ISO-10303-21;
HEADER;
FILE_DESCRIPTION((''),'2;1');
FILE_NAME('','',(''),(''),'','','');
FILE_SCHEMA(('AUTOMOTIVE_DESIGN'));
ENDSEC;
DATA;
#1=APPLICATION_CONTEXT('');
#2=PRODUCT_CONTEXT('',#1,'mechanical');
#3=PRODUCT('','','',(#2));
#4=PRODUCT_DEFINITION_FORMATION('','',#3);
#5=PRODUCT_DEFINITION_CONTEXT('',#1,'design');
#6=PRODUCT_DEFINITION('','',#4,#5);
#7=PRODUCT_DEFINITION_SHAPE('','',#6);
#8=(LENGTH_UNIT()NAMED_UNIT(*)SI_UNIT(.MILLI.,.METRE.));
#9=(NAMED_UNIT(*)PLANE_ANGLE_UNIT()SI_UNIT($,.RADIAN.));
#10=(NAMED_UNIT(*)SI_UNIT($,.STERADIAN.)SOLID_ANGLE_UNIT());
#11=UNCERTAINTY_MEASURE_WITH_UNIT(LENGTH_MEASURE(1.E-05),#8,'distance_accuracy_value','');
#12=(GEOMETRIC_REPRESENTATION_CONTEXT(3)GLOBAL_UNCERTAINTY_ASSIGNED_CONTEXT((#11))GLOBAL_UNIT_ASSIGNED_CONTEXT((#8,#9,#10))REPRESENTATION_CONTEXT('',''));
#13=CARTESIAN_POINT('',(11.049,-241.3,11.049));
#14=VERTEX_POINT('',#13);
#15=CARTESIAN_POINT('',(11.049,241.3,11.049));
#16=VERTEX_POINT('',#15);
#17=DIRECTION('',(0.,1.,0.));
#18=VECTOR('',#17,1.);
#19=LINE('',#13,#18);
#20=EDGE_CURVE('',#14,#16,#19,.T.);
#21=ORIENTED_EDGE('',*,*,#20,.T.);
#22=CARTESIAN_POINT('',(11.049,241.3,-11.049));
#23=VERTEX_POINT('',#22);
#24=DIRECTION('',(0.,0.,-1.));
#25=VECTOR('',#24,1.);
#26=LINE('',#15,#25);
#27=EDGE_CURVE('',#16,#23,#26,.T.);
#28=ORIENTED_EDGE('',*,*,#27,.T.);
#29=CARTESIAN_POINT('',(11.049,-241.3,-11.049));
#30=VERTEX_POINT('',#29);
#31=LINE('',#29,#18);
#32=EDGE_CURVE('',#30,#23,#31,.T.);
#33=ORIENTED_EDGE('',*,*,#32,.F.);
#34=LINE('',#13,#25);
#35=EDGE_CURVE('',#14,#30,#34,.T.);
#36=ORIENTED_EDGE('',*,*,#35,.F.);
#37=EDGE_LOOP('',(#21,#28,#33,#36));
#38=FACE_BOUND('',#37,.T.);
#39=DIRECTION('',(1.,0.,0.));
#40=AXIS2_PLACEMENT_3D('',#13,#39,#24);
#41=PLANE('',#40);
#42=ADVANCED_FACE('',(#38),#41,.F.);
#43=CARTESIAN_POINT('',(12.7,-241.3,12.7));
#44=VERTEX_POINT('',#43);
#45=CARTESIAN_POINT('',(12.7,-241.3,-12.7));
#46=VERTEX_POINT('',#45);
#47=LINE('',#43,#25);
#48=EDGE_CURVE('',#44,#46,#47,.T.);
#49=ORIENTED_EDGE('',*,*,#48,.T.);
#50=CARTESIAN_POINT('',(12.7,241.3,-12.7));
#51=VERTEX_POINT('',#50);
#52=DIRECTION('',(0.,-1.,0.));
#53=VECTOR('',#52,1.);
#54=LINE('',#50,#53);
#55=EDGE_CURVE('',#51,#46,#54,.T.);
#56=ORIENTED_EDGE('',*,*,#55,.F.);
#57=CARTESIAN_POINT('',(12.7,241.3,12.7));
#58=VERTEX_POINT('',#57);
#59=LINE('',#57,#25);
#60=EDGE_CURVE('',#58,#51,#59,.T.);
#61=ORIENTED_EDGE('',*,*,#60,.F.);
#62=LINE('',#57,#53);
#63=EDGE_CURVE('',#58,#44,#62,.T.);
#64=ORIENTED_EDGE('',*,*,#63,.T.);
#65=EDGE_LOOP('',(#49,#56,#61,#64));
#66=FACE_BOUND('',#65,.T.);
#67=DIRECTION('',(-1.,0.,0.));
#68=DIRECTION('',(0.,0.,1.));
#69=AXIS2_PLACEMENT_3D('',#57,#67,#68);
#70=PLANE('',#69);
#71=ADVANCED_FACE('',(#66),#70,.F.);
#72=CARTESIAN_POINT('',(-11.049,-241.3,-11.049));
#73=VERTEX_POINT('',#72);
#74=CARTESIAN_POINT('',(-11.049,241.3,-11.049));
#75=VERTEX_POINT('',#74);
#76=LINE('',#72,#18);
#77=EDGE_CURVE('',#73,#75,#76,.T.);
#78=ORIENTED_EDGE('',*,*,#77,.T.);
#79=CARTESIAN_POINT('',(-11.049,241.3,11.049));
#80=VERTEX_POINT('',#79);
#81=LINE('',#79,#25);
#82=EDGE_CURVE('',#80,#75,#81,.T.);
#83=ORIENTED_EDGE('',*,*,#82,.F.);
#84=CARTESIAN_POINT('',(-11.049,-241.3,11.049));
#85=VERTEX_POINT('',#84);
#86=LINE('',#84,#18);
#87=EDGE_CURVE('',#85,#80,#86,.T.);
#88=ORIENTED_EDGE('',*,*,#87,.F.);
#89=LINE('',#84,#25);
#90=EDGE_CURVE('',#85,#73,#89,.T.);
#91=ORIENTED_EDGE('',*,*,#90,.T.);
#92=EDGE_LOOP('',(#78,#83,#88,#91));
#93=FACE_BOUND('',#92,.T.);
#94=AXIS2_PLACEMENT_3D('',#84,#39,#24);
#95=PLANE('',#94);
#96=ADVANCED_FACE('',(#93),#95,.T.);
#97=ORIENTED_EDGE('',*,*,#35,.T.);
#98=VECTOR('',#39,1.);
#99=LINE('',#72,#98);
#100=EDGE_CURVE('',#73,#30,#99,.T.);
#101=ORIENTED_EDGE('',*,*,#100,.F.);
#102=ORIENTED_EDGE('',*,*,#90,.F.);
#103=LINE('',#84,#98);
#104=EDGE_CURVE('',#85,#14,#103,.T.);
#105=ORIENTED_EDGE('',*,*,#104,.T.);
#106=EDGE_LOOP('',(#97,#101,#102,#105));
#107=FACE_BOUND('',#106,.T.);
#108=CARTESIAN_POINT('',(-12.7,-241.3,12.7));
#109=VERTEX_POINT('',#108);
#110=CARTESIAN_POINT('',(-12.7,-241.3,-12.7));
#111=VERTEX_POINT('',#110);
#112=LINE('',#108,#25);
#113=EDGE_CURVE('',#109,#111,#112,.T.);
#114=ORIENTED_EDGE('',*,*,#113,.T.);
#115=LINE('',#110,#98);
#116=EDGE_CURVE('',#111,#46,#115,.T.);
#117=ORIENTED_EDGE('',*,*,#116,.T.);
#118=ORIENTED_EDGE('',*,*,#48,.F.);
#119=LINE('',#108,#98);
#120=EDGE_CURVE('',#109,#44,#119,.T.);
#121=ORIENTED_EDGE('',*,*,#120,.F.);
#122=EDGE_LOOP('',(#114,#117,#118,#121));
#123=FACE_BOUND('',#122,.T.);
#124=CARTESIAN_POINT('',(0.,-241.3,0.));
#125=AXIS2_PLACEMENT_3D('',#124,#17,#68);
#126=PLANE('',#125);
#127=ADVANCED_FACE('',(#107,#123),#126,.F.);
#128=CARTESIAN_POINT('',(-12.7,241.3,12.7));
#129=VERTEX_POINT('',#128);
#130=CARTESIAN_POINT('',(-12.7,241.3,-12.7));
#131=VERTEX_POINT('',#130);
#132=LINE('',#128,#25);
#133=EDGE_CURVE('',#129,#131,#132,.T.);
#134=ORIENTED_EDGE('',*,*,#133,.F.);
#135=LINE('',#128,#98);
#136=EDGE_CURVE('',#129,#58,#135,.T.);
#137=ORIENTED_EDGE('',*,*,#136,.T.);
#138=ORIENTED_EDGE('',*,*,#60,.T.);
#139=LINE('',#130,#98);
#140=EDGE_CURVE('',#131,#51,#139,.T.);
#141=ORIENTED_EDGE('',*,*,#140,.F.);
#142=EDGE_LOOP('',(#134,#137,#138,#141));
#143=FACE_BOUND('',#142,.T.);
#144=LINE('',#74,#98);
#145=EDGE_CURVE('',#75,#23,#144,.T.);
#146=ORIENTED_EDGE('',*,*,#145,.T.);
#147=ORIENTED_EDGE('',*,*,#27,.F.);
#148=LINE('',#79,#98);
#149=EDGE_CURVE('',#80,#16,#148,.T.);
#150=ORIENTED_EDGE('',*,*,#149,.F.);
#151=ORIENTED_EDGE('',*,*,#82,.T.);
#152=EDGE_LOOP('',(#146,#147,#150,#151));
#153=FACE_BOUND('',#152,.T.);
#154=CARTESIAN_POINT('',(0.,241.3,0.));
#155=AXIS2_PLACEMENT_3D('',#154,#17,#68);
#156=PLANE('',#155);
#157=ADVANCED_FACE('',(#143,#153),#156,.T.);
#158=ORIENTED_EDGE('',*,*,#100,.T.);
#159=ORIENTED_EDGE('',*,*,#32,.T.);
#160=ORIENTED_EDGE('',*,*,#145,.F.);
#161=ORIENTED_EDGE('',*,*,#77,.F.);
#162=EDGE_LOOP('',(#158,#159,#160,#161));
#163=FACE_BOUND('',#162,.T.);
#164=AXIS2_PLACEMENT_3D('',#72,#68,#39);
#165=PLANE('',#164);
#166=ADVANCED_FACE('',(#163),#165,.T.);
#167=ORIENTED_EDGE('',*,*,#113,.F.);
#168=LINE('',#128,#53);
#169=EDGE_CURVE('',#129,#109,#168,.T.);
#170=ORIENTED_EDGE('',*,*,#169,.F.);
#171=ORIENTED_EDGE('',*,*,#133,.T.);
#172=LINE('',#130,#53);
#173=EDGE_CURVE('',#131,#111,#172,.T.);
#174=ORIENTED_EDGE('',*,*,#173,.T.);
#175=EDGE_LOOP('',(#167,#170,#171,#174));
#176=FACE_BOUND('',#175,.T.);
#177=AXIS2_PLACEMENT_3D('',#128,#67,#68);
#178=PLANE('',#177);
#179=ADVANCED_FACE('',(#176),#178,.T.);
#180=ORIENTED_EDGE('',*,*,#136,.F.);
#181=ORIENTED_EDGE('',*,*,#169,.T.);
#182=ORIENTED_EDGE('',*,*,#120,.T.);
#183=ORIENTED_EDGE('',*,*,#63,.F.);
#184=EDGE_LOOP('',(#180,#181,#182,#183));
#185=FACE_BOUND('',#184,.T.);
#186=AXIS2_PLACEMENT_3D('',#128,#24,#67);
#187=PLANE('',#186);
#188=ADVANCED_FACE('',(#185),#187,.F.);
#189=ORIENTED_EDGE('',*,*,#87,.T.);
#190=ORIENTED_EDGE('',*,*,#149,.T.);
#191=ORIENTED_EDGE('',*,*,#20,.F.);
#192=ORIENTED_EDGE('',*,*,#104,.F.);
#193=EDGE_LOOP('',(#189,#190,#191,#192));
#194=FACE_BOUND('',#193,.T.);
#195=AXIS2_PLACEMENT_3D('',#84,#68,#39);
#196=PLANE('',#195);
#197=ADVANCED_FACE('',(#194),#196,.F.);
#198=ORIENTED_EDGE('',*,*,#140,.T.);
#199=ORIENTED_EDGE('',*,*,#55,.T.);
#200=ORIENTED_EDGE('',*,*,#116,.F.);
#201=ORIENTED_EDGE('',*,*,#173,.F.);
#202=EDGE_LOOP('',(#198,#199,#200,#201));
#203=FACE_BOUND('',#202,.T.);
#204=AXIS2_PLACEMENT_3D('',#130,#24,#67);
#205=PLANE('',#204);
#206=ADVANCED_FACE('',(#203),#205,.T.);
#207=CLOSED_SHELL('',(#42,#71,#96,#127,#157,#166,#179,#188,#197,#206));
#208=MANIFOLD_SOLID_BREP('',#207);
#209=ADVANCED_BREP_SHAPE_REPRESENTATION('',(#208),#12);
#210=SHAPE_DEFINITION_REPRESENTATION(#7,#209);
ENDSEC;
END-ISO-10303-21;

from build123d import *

# Parameters (mm, degrees)
SKETCH1_W           = 25.4
SKETCH1_H           = 25.4
BOSS_EXTRUDE1_DEPTH = 241.3
SKETCH2_W           = 22.098
SKETCH2_H           = 22.098
CUT_EXTRUDE1_DEPTH  = 483.934094883


with BuildPart() as part:
    # Sketch1 → Boss-Extrude1 (new, symmetric)
    with BuildSketch(Plane(origin=(0, 0, 0), x_dir=(1, 0, 0), z_dir=(0, 1, 0))):
        Rectangle(SKETCH1_W, SKETCH1_H)
    extrude(amount=BOSS_EXTRUDE1_DEPTH, both=True)

    # Sketch2 → Cut-Extrude1 (cut, through all)
    with BuildSketch(Plane(origin=(0, 241.3, 0), x_dir=(1, 0, 0), z_dir=(0, 1, 0))):
        Rectangle(SKETCH2_W, SKETCH2_H)
    extrude(amount=-CUT_EXTRUDE1_DEPTH, mode=Mode.SUBTRACT)


solid = part.part
